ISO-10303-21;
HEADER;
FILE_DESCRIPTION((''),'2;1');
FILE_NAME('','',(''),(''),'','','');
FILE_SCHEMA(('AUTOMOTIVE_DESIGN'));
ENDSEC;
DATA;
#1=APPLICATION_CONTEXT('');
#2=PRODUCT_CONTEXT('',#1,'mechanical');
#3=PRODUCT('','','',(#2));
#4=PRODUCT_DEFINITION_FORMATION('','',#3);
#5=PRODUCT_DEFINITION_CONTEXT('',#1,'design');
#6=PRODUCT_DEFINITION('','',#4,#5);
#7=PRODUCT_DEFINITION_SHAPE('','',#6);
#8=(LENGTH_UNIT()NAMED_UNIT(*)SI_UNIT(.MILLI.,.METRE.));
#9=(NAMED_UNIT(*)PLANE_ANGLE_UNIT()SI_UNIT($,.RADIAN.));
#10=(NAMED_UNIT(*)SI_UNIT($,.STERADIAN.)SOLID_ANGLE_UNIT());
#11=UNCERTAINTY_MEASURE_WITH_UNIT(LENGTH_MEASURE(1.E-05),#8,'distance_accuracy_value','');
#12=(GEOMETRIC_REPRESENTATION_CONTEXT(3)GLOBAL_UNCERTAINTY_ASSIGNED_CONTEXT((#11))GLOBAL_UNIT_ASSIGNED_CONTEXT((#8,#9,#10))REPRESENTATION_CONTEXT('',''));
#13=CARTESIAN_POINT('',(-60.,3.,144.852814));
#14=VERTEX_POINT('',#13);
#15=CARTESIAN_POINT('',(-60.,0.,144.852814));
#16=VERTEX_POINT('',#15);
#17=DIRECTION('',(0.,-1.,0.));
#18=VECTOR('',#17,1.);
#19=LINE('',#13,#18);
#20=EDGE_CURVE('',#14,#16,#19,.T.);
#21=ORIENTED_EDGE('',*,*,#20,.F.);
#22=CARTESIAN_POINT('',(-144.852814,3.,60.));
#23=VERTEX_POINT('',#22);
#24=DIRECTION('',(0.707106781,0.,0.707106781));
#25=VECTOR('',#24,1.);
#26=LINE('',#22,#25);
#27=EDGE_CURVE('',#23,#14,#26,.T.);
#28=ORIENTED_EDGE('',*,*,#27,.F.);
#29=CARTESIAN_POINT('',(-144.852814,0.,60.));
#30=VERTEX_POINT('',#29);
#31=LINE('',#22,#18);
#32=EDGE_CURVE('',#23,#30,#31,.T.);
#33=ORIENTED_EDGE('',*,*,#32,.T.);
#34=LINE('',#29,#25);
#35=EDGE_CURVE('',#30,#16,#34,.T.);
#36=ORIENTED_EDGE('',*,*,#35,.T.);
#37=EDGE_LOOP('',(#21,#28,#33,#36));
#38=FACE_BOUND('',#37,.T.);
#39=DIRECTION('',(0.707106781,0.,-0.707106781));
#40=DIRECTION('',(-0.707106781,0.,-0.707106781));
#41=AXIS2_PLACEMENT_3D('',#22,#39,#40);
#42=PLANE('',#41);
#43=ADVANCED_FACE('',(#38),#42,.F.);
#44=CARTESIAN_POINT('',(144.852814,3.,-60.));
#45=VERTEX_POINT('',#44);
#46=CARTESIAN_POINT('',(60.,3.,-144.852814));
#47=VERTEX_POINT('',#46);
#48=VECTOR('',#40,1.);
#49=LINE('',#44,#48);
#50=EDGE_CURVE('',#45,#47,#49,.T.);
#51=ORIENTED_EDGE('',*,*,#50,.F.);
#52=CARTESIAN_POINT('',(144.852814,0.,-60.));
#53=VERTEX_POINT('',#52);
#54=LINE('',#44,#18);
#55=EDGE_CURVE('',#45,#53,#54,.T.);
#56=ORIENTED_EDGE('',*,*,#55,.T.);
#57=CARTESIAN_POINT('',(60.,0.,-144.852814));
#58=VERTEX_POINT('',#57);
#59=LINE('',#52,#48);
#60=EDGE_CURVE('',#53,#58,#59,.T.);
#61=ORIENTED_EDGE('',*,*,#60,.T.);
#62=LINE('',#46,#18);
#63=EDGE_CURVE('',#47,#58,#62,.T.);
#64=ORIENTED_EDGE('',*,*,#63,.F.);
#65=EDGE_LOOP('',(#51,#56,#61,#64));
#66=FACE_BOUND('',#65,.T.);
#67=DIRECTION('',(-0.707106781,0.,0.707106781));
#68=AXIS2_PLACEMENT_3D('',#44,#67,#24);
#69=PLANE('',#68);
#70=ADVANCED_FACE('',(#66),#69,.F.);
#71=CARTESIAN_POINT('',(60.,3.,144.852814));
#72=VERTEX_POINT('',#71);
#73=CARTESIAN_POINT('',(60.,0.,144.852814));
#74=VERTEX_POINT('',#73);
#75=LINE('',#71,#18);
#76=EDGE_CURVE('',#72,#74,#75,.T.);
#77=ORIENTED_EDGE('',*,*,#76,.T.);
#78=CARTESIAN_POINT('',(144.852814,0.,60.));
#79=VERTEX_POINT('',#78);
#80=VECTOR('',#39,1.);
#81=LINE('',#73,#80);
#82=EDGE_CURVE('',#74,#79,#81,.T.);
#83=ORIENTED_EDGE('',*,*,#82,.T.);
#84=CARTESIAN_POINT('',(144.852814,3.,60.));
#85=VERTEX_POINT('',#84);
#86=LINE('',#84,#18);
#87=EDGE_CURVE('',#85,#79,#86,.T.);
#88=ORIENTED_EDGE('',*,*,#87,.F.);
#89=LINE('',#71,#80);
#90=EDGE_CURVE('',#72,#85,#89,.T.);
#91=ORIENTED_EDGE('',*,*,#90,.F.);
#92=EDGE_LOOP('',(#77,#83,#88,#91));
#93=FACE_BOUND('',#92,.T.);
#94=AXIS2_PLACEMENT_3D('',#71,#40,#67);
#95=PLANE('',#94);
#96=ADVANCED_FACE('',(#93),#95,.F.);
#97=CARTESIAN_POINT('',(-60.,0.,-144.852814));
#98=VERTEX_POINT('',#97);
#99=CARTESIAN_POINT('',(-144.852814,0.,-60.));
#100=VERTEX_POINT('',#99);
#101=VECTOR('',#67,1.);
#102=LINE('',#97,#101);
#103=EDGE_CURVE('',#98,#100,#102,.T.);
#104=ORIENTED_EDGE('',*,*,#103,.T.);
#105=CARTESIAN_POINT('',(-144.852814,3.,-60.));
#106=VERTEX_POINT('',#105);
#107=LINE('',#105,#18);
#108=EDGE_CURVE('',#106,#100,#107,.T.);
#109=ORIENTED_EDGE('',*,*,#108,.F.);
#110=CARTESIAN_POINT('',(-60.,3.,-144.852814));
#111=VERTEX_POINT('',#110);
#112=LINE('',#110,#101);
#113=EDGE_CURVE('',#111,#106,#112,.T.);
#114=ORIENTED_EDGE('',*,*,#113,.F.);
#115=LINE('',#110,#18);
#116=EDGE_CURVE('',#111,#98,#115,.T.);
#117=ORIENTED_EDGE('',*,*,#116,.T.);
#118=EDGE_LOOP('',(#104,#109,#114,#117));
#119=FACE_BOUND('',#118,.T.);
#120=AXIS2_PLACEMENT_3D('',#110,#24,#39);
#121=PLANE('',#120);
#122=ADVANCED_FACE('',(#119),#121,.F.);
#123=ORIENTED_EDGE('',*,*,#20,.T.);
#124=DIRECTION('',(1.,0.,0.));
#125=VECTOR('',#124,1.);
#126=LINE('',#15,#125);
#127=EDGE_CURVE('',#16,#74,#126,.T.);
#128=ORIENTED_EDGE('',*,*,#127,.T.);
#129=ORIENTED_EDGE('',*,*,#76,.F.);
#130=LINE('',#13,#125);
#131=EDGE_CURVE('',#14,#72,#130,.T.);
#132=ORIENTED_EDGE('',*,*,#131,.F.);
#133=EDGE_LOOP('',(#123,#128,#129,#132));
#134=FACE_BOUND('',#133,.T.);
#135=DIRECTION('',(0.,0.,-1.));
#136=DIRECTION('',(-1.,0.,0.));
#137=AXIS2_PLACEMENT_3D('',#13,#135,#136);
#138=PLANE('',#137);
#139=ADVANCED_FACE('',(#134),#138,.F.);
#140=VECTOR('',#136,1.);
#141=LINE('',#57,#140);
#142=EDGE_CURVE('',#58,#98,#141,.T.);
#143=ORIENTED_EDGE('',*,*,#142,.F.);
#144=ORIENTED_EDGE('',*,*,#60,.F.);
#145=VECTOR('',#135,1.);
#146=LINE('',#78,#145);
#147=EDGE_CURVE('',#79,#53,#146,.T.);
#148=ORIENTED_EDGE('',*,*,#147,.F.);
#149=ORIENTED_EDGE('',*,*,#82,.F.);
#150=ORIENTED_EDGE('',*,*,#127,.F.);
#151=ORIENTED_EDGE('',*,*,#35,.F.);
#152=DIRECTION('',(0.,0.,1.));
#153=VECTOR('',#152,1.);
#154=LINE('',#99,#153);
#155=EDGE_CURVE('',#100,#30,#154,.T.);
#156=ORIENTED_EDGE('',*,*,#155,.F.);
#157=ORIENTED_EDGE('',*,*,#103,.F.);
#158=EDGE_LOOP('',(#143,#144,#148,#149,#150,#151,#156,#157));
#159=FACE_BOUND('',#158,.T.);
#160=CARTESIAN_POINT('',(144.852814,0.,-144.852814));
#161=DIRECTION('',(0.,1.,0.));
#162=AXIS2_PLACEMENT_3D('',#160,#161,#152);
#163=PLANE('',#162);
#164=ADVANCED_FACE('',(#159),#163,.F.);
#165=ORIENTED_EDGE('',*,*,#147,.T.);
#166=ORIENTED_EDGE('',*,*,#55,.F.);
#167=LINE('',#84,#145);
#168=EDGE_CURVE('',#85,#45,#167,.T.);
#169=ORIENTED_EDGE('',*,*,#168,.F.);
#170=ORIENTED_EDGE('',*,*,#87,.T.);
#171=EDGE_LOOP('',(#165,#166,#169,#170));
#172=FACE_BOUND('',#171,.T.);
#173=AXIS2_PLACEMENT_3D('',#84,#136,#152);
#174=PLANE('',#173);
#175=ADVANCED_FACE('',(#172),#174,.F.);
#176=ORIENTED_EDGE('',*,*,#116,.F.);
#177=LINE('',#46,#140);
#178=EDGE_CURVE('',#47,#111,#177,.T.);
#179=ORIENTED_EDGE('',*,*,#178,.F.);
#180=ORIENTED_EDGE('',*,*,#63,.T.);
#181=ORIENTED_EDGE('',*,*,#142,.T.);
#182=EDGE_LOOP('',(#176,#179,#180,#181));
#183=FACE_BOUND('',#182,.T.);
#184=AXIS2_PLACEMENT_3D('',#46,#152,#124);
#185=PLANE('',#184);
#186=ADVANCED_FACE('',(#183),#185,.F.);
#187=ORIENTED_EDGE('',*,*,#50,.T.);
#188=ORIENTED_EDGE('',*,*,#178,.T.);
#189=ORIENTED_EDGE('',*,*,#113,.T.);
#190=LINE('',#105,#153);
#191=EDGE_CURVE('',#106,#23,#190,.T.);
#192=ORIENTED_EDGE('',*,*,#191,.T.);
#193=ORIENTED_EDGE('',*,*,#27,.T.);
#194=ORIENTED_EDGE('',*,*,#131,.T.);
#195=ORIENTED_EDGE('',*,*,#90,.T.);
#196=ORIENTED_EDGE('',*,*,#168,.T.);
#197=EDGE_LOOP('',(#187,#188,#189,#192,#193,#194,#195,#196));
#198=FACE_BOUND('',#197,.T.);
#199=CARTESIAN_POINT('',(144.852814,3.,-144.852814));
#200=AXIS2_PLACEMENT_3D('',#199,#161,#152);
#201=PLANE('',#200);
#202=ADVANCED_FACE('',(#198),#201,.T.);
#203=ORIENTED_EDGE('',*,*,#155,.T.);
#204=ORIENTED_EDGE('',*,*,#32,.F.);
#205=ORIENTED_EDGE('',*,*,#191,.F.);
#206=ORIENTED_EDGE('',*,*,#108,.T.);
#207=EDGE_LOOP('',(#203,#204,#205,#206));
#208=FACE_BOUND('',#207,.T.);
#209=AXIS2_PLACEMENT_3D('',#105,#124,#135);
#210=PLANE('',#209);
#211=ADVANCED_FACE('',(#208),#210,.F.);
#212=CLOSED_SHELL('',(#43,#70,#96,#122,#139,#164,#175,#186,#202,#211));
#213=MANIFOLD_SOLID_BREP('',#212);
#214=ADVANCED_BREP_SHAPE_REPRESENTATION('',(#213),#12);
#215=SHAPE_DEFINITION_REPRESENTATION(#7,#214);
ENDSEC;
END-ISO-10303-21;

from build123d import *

# Parameters (mm, degrees)
EXTRUSION1_DEPTH = 3


with BuildPart() as part:
    # Esquisse1 → Extrusion1 (new body)
    with BuildSketch(Plane(origin=(0, 0, 0), x_dir=(1, 0, 0), z_dir=(0, 1, 0))):
        Polygon((144.852813742, 60), (60, 144.852813742), (-60, 144.852813742), (-144.852813742, 60), (-144.852813742, -60), (-60, -144.852813742), (60, -144.852813742), (144.852813742, -60), align=None)
    extrude(amount=EXTRUSION1_DEPTH)


solid = part.part
